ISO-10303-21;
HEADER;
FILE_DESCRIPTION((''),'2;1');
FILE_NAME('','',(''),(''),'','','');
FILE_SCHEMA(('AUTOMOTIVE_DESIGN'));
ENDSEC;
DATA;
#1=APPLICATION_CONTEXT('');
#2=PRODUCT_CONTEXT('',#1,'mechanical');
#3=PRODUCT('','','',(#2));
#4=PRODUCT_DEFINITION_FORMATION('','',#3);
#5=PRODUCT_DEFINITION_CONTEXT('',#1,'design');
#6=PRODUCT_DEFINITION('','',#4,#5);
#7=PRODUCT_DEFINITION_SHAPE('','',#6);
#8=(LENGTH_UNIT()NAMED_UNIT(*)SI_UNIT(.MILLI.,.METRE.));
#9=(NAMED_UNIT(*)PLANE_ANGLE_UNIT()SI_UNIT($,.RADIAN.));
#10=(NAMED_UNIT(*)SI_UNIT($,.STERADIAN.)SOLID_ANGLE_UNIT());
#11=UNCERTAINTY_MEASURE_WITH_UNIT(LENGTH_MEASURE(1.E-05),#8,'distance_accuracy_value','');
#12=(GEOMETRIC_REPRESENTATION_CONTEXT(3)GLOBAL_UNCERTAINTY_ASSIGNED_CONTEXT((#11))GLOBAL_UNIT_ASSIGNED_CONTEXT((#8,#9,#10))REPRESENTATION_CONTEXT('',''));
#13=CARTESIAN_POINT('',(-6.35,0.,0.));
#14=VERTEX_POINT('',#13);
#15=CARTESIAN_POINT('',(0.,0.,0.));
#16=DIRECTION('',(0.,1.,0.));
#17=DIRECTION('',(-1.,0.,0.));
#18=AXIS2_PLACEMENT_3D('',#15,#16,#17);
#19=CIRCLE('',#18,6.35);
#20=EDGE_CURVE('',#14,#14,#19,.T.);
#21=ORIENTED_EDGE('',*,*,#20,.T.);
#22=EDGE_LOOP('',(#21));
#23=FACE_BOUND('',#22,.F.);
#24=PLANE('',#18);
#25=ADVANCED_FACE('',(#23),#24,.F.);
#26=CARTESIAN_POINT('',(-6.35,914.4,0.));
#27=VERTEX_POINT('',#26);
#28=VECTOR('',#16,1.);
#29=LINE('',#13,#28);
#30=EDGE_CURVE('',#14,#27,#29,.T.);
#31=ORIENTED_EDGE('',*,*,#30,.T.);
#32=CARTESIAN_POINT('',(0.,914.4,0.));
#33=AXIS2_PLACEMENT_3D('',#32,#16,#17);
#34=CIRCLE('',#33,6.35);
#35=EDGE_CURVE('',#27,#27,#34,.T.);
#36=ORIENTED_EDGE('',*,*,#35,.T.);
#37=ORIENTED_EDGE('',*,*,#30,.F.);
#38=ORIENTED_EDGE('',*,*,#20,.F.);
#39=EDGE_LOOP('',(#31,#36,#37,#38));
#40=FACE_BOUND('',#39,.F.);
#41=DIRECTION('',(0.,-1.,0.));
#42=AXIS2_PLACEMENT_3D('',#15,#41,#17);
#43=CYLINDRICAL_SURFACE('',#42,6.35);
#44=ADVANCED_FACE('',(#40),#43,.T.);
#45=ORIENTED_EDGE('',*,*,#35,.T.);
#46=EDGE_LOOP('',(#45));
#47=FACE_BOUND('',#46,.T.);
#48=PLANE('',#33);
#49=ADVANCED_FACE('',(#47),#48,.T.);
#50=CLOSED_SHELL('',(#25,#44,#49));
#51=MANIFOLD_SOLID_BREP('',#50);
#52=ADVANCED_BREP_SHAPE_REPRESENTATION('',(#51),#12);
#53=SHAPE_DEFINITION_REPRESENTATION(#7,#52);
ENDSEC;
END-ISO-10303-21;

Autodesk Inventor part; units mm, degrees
ref_plane "YZ Plane" through (0, 0, 0) normal (1, 0, 0) x (0, 1, 0)
ref_plane "XZ Plane" through (0, 0, 0) normal (0, 1, 0) x (-1, 0, 0)
ref_plane "XY Plane" through (0, 0, 0) normal (0, 0, 1) x (1, 0, 0)
sketch "Sketch1" plane through (0, 0, 0) normal (0, 1, 0) x (-1, 0, 0)
  circle A0 centre (0, 0) radius 6.35
  dimension "d0" = 12.7
extrude "Extrusion1" add sketch "Sketch1" along normal blind 914.4
thread "Thread1" size "1/2-13 UNC" class "2A" standard "ANSI Unified Screw Threads" full length
properties part number "leadscrew36in" material "Aluminum 6061"
